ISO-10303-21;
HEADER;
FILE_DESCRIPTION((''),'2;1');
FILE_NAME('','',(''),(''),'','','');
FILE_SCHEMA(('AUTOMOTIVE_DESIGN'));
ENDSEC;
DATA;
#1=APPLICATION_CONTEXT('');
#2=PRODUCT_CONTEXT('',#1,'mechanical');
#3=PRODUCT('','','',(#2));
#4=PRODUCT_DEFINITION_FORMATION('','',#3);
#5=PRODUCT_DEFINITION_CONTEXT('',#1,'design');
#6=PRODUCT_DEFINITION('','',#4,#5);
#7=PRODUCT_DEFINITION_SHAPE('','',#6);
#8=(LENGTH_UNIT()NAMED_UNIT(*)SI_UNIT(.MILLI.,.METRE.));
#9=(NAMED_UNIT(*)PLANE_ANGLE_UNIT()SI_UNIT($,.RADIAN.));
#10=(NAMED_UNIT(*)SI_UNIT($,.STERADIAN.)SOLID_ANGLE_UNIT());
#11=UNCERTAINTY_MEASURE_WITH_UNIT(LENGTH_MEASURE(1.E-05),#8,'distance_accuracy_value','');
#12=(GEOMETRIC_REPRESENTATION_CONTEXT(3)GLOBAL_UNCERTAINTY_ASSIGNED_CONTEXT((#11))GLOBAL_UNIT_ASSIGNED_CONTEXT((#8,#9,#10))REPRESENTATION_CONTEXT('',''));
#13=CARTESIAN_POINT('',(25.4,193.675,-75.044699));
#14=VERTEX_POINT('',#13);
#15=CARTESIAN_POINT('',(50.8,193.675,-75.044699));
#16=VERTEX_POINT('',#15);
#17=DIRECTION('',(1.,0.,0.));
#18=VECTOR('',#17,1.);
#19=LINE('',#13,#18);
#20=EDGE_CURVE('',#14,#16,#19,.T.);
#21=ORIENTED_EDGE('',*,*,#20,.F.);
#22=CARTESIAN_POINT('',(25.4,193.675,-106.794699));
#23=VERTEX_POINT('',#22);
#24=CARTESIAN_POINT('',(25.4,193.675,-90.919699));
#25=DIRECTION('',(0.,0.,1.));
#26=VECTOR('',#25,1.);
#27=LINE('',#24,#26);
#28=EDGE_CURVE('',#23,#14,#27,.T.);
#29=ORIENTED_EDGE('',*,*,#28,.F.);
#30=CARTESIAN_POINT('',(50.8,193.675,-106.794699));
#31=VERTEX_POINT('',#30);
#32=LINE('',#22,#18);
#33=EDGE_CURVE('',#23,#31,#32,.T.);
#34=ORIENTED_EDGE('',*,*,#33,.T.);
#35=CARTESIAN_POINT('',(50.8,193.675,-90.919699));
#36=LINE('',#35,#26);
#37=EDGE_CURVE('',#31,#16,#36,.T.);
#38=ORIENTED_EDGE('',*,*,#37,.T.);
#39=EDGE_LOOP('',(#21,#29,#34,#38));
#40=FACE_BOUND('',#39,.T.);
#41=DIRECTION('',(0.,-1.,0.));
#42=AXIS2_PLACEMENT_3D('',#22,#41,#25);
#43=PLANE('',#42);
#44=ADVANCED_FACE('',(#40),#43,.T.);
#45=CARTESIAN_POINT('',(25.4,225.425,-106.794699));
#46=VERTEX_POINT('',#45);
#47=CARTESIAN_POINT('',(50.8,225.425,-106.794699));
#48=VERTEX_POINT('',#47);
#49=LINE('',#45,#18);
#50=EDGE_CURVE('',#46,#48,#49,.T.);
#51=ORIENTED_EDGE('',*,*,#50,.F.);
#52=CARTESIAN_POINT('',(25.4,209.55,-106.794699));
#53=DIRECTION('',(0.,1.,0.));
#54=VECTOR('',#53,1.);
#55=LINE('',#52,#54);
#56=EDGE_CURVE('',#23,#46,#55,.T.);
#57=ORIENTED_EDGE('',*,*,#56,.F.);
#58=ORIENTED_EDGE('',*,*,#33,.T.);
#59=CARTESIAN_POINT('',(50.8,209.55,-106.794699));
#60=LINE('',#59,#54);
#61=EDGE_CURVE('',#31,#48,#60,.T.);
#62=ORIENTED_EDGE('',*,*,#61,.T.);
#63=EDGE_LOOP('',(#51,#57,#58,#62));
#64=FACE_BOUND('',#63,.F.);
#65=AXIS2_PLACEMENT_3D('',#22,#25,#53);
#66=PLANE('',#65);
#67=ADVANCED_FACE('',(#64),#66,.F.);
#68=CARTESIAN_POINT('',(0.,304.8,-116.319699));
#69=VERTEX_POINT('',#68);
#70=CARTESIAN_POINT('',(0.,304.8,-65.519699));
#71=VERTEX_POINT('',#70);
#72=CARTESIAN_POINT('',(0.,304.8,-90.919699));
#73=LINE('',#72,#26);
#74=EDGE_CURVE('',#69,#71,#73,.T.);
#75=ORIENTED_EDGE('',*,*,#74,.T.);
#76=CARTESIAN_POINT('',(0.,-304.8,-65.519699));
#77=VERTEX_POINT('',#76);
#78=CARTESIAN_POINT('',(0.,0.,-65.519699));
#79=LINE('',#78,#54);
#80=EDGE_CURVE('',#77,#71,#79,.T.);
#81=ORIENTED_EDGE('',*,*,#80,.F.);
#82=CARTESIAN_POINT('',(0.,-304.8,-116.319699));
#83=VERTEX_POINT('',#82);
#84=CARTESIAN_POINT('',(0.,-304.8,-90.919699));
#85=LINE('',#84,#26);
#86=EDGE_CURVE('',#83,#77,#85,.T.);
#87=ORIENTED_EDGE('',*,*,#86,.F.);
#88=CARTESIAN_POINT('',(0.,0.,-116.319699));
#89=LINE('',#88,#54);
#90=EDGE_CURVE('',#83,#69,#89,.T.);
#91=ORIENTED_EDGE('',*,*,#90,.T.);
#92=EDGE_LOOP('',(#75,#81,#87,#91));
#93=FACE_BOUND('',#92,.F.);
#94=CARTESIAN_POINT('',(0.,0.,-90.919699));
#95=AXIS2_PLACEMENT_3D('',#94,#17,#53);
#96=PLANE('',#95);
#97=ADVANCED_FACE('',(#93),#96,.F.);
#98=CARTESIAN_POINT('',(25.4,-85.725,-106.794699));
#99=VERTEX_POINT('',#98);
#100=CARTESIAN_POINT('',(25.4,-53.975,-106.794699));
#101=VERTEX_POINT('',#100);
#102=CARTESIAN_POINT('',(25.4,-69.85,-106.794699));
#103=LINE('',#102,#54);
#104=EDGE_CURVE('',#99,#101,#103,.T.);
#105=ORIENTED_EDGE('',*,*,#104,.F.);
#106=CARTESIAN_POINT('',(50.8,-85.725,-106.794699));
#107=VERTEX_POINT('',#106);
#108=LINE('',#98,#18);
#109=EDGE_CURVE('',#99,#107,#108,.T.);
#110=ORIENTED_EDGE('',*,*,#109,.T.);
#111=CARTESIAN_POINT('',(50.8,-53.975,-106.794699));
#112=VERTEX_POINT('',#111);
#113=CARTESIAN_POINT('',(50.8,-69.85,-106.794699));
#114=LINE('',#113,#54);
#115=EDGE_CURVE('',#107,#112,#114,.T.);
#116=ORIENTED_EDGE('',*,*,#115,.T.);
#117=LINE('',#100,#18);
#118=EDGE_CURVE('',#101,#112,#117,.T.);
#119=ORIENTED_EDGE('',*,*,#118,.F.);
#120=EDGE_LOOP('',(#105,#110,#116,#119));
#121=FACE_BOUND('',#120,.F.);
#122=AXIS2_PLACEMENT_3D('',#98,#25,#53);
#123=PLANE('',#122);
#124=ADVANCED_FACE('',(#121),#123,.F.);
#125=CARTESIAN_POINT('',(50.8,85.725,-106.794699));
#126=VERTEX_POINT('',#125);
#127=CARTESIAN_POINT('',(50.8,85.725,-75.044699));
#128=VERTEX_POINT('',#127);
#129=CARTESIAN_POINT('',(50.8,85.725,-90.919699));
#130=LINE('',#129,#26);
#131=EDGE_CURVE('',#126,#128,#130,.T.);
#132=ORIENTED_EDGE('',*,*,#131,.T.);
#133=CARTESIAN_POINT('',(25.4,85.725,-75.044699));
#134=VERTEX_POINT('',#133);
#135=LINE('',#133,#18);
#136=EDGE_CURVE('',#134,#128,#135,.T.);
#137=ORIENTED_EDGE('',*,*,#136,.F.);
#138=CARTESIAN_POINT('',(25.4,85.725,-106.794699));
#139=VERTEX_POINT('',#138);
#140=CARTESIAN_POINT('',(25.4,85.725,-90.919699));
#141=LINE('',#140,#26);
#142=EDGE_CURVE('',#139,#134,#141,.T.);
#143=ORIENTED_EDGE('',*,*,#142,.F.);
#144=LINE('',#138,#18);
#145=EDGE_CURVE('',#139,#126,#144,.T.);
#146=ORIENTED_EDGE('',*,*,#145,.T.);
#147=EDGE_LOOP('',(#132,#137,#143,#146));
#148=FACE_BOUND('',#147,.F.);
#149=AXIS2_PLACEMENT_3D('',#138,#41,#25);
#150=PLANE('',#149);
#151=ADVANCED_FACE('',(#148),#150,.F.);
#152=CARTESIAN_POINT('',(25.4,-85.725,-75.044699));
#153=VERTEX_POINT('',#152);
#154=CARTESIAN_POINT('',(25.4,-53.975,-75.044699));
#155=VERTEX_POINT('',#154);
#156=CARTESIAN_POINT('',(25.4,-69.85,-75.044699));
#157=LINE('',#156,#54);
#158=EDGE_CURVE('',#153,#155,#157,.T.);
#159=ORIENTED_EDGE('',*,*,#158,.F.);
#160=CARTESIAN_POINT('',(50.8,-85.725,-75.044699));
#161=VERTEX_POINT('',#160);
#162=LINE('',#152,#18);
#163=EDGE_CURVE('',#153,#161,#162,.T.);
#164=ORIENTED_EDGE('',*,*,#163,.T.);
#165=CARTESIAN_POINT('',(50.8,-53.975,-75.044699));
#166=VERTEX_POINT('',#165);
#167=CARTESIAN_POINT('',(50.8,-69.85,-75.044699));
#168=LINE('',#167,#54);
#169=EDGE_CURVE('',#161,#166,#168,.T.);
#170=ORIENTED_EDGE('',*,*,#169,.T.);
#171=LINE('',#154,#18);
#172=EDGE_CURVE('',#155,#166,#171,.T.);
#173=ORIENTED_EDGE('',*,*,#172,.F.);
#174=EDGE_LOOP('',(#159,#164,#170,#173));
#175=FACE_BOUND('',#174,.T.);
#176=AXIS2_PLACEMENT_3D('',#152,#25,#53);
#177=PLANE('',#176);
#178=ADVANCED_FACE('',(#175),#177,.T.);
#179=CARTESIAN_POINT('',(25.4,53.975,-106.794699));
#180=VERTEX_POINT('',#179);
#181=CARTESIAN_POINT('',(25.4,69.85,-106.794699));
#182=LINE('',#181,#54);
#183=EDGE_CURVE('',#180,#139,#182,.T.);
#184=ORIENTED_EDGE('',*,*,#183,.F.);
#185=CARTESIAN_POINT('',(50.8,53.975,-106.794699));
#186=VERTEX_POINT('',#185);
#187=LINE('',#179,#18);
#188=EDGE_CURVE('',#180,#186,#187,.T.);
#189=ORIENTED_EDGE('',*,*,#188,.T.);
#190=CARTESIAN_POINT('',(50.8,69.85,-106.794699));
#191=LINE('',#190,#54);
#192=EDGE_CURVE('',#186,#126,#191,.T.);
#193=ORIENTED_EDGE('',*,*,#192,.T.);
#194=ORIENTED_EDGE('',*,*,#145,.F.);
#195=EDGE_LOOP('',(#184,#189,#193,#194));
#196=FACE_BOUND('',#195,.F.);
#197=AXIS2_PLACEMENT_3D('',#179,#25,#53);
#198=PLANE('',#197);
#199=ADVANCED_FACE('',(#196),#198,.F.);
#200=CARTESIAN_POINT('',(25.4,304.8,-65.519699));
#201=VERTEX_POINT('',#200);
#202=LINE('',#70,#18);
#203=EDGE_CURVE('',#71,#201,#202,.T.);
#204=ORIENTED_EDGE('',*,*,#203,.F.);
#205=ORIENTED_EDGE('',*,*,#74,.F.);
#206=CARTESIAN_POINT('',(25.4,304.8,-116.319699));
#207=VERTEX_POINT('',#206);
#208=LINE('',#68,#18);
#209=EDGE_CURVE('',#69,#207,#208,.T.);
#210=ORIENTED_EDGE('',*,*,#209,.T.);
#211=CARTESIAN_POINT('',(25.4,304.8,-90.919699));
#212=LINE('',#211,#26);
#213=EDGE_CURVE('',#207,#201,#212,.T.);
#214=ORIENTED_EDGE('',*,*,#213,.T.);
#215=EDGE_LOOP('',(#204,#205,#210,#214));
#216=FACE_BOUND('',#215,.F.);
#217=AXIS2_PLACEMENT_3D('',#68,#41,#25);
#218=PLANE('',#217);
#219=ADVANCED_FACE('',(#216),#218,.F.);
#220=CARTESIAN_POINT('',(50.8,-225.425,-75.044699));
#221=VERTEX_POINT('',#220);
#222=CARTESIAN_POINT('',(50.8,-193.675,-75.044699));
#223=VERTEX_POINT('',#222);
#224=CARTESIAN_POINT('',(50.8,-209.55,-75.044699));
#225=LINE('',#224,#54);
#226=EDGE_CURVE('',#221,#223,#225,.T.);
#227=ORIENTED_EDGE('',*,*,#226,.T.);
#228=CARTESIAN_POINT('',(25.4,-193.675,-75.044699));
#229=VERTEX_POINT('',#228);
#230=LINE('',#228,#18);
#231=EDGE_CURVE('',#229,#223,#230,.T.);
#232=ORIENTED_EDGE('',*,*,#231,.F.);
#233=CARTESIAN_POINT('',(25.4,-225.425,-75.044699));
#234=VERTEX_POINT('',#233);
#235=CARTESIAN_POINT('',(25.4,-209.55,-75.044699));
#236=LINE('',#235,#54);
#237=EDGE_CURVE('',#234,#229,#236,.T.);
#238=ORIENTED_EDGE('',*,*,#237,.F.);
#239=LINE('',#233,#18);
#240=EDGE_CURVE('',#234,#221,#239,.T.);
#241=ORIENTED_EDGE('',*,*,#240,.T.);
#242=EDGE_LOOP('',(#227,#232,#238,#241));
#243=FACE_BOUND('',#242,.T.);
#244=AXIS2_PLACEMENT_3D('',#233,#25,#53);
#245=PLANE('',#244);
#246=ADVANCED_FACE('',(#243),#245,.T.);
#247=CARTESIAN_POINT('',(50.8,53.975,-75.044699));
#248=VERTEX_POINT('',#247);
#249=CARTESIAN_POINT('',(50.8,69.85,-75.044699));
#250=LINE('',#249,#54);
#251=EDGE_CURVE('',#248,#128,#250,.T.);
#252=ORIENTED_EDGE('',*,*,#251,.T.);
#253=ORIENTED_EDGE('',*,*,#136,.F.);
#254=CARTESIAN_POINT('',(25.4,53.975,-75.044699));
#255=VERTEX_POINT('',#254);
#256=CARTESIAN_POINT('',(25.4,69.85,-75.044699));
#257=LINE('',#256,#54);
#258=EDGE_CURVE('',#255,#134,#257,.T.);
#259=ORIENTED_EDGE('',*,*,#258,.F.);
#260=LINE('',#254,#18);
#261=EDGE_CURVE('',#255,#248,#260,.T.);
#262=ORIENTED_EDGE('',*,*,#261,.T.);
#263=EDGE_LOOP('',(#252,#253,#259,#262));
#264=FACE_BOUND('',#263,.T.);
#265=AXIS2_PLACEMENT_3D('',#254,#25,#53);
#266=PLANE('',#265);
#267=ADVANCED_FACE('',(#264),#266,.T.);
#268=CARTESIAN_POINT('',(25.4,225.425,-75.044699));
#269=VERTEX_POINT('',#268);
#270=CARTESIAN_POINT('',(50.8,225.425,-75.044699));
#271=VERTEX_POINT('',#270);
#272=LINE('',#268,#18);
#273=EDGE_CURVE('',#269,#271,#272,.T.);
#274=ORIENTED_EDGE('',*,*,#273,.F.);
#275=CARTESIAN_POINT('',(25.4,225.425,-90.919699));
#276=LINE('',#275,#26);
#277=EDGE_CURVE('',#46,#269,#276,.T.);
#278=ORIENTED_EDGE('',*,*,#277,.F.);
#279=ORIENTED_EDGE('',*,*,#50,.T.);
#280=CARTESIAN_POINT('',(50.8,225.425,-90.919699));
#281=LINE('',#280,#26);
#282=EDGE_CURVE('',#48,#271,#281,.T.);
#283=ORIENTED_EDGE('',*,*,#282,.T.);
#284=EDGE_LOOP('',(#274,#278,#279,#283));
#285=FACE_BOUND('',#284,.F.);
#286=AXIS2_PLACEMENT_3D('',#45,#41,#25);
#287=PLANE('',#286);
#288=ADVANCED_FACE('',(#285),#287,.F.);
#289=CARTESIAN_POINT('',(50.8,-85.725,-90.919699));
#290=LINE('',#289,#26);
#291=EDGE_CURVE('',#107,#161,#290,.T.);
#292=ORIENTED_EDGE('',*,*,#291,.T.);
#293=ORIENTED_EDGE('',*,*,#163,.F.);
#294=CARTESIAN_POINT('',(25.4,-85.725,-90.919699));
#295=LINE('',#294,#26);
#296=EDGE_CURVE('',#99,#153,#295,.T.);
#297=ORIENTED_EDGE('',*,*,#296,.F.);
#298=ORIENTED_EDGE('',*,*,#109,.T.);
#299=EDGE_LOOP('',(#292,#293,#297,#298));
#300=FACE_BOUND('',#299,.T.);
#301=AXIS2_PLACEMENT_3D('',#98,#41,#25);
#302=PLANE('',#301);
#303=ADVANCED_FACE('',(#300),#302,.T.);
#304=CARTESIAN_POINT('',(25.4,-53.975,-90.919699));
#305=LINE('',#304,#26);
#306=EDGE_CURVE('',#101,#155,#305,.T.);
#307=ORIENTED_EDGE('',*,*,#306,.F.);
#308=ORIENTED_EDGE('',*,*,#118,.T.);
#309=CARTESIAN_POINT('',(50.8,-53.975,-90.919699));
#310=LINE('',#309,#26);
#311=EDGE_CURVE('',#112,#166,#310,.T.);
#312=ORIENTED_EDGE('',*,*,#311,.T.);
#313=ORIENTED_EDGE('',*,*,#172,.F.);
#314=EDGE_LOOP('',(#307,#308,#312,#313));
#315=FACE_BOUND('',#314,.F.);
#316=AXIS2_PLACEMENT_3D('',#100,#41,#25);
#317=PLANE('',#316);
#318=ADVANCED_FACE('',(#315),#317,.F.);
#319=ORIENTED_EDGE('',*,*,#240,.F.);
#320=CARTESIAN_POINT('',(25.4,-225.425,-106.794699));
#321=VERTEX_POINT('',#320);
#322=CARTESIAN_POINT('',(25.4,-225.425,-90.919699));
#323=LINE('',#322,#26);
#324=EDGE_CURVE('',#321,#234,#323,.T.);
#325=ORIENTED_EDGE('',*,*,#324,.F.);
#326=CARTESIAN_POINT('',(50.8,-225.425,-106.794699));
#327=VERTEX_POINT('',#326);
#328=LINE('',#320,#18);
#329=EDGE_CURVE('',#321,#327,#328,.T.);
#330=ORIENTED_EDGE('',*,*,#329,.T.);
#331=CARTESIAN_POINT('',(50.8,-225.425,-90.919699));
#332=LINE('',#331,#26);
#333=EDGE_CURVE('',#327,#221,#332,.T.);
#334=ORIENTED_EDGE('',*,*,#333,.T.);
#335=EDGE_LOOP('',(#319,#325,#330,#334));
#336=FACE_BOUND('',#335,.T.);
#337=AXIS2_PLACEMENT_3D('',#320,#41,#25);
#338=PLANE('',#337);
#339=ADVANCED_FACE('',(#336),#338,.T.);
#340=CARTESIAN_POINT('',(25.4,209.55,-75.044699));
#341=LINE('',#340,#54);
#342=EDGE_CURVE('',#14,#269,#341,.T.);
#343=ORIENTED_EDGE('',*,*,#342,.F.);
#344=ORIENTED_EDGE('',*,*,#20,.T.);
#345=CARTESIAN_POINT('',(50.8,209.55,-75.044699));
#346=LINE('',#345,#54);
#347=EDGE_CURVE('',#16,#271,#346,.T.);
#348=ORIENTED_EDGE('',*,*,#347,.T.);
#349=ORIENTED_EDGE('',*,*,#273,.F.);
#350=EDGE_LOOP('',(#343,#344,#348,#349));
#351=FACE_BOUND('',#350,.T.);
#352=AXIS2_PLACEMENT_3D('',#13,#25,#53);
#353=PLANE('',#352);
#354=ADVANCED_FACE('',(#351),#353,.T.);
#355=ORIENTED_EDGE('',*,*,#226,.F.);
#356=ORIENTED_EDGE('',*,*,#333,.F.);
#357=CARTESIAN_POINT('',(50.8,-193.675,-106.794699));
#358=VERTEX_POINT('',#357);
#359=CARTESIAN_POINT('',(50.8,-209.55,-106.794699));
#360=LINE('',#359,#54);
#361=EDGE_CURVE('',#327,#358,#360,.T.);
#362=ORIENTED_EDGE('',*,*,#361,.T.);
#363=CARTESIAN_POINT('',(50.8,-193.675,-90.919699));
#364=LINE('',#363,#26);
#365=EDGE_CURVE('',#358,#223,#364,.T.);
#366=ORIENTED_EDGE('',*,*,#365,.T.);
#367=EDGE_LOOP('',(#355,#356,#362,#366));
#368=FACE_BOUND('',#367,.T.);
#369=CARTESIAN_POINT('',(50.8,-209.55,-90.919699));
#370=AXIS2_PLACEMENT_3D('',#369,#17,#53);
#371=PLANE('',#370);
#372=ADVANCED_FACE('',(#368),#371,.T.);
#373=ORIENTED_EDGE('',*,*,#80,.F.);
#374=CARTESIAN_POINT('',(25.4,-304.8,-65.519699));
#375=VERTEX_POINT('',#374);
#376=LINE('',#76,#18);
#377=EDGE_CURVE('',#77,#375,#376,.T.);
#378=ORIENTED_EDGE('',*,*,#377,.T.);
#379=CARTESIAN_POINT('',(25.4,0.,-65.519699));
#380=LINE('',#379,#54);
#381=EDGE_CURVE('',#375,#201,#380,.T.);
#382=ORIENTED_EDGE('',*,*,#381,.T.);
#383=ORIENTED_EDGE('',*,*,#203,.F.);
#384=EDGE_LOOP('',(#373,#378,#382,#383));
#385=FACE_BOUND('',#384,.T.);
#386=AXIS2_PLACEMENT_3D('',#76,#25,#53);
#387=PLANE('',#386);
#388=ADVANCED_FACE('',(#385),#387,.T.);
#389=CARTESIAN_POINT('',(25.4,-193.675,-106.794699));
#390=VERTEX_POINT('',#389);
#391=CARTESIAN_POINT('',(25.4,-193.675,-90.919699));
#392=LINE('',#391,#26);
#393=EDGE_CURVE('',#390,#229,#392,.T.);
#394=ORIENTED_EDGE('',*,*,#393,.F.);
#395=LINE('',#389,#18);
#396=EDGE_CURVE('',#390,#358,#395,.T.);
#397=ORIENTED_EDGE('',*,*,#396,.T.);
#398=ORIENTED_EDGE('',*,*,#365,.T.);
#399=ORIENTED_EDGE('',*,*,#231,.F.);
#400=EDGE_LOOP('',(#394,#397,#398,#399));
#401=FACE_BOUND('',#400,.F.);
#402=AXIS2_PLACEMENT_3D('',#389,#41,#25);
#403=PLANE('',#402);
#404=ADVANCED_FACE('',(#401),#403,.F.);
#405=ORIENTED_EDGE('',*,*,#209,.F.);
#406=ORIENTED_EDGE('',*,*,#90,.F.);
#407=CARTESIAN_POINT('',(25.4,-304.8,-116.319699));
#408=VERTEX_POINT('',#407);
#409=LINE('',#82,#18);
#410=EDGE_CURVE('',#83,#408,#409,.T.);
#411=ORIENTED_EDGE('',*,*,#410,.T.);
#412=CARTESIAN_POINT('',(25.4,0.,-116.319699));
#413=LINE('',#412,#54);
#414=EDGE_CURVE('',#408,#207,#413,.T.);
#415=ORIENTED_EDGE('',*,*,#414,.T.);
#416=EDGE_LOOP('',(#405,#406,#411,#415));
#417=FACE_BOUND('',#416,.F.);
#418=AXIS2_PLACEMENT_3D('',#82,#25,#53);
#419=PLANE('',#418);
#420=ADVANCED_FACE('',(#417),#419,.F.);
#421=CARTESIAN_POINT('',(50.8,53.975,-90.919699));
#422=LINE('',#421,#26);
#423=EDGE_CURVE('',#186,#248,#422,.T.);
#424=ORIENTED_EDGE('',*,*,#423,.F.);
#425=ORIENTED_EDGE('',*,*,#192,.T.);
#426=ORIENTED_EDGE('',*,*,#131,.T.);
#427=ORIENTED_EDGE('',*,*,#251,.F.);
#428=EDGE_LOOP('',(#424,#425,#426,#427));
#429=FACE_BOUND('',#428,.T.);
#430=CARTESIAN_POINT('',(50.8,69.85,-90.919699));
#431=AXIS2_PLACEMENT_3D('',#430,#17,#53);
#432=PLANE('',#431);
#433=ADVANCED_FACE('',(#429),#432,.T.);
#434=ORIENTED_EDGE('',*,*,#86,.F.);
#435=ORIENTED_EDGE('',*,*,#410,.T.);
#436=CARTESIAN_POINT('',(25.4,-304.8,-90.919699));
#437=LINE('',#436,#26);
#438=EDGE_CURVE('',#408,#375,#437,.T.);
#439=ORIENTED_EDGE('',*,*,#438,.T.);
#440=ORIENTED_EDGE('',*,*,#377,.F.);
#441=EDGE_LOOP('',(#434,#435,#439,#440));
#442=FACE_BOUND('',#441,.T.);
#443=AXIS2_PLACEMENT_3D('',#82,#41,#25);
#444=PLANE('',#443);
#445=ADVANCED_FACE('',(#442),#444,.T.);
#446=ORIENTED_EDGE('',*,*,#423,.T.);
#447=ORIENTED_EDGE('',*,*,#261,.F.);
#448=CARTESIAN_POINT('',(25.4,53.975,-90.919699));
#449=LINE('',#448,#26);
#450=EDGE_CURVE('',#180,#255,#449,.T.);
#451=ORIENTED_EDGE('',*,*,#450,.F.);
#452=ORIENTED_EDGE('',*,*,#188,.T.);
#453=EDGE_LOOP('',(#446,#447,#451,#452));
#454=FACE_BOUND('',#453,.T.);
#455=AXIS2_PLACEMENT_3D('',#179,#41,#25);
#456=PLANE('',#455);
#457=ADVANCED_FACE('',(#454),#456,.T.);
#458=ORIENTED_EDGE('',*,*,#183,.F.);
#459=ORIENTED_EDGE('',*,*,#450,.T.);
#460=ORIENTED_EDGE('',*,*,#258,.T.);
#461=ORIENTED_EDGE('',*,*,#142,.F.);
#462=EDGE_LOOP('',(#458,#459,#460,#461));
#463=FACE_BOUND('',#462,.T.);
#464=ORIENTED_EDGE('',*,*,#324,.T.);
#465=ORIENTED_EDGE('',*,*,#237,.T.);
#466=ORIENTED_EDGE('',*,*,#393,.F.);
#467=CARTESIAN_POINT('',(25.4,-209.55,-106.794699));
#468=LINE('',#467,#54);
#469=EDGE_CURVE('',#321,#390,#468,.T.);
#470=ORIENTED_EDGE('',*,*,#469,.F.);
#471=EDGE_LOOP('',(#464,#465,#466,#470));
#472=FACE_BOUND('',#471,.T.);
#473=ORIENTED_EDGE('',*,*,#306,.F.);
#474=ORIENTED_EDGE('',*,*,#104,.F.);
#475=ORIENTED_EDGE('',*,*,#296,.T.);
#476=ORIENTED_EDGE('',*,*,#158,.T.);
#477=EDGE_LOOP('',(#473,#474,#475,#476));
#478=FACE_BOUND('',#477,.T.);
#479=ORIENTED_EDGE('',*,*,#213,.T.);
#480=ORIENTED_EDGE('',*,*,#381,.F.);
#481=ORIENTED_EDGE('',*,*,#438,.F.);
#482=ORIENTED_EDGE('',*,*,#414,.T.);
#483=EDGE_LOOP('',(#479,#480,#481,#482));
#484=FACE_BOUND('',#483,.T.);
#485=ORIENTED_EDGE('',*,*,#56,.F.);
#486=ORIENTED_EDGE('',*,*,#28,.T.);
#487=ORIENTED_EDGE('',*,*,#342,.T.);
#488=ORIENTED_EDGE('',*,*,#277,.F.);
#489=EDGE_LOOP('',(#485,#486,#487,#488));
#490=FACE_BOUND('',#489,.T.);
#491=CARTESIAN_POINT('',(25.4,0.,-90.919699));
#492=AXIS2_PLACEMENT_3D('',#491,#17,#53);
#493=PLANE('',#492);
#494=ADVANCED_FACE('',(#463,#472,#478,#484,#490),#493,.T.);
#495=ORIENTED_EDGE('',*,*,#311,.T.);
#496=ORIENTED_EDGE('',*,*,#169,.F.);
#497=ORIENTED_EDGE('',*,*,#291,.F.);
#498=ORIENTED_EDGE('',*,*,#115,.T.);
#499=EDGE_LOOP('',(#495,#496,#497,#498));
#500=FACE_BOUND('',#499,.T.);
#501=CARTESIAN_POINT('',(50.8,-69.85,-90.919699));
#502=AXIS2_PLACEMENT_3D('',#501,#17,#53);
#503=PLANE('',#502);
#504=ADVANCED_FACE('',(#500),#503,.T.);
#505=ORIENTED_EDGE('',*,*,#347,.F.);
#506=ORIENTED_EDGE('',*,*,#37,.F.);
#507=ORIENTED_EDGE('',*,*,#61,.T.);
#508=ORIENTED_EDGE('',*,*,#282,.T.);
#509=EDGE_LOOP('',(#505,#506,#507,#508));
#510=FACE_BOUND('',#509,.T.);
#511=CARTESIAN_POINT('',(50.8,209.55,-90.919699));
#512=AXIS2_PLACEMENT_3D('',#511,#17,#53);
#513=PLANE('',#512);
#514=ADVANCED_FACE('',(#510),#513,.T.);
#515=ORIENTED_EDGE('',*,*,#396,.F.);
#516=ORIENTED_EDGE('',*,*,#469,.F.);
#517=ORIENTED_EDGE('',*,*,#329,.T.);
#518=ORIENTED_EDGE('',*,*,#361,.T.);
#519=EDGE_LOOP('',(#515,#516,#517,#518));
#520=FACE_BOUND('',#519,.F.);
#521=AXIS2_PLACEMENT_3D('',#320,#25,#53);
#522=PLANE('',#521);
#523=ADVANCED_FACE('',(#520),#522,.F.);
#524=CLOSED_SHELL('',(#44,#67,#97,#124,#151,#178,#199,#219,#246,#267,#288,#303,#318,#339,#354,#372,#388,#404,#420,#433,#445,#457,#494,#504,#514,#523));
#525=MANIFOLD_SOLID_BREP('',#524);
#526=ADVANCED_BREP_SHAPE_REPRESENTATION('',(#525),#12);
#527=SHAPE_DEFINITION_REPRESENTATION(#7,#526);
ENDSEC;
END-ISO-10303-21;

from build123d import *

# Parameters (mm, degrees)
F0_W     = 609.6
F0_H     = 50.8
F1_DEPTH = 25.4
F2_W     = 31.75
F2_H     = 31.75
F3_DEPTH = 25.4


with BuildPart() as f1:
    # F0 (on Right) → F1 (new body)
    with BuildSketch(Plane.YZ):
        with Locations((0, -90.919699)):
            Rectangle(F0_W, F0_H)
    extrude(amount=F1_DEPTH)

    # F2 (on face) → F3 (join)
    with BuildSketch(Plane.YZ.offset(25.4)):
        with Locations((-209.55, -90.919699)):
            Rectangle(F2_W, F2_H)
        with Locations((-69.85, -90.919699)):
            Rectangle(F2_W, F2_H)
        with Locations((69.85, -90.919699)):
            Rectangle(F2_W, F2_H)
        with Locations((209.55, -90.919699)):
            Rectangle(F2_W, F2_H)
    extrude(amount=F3_DEPTH)


solid = f1.part
